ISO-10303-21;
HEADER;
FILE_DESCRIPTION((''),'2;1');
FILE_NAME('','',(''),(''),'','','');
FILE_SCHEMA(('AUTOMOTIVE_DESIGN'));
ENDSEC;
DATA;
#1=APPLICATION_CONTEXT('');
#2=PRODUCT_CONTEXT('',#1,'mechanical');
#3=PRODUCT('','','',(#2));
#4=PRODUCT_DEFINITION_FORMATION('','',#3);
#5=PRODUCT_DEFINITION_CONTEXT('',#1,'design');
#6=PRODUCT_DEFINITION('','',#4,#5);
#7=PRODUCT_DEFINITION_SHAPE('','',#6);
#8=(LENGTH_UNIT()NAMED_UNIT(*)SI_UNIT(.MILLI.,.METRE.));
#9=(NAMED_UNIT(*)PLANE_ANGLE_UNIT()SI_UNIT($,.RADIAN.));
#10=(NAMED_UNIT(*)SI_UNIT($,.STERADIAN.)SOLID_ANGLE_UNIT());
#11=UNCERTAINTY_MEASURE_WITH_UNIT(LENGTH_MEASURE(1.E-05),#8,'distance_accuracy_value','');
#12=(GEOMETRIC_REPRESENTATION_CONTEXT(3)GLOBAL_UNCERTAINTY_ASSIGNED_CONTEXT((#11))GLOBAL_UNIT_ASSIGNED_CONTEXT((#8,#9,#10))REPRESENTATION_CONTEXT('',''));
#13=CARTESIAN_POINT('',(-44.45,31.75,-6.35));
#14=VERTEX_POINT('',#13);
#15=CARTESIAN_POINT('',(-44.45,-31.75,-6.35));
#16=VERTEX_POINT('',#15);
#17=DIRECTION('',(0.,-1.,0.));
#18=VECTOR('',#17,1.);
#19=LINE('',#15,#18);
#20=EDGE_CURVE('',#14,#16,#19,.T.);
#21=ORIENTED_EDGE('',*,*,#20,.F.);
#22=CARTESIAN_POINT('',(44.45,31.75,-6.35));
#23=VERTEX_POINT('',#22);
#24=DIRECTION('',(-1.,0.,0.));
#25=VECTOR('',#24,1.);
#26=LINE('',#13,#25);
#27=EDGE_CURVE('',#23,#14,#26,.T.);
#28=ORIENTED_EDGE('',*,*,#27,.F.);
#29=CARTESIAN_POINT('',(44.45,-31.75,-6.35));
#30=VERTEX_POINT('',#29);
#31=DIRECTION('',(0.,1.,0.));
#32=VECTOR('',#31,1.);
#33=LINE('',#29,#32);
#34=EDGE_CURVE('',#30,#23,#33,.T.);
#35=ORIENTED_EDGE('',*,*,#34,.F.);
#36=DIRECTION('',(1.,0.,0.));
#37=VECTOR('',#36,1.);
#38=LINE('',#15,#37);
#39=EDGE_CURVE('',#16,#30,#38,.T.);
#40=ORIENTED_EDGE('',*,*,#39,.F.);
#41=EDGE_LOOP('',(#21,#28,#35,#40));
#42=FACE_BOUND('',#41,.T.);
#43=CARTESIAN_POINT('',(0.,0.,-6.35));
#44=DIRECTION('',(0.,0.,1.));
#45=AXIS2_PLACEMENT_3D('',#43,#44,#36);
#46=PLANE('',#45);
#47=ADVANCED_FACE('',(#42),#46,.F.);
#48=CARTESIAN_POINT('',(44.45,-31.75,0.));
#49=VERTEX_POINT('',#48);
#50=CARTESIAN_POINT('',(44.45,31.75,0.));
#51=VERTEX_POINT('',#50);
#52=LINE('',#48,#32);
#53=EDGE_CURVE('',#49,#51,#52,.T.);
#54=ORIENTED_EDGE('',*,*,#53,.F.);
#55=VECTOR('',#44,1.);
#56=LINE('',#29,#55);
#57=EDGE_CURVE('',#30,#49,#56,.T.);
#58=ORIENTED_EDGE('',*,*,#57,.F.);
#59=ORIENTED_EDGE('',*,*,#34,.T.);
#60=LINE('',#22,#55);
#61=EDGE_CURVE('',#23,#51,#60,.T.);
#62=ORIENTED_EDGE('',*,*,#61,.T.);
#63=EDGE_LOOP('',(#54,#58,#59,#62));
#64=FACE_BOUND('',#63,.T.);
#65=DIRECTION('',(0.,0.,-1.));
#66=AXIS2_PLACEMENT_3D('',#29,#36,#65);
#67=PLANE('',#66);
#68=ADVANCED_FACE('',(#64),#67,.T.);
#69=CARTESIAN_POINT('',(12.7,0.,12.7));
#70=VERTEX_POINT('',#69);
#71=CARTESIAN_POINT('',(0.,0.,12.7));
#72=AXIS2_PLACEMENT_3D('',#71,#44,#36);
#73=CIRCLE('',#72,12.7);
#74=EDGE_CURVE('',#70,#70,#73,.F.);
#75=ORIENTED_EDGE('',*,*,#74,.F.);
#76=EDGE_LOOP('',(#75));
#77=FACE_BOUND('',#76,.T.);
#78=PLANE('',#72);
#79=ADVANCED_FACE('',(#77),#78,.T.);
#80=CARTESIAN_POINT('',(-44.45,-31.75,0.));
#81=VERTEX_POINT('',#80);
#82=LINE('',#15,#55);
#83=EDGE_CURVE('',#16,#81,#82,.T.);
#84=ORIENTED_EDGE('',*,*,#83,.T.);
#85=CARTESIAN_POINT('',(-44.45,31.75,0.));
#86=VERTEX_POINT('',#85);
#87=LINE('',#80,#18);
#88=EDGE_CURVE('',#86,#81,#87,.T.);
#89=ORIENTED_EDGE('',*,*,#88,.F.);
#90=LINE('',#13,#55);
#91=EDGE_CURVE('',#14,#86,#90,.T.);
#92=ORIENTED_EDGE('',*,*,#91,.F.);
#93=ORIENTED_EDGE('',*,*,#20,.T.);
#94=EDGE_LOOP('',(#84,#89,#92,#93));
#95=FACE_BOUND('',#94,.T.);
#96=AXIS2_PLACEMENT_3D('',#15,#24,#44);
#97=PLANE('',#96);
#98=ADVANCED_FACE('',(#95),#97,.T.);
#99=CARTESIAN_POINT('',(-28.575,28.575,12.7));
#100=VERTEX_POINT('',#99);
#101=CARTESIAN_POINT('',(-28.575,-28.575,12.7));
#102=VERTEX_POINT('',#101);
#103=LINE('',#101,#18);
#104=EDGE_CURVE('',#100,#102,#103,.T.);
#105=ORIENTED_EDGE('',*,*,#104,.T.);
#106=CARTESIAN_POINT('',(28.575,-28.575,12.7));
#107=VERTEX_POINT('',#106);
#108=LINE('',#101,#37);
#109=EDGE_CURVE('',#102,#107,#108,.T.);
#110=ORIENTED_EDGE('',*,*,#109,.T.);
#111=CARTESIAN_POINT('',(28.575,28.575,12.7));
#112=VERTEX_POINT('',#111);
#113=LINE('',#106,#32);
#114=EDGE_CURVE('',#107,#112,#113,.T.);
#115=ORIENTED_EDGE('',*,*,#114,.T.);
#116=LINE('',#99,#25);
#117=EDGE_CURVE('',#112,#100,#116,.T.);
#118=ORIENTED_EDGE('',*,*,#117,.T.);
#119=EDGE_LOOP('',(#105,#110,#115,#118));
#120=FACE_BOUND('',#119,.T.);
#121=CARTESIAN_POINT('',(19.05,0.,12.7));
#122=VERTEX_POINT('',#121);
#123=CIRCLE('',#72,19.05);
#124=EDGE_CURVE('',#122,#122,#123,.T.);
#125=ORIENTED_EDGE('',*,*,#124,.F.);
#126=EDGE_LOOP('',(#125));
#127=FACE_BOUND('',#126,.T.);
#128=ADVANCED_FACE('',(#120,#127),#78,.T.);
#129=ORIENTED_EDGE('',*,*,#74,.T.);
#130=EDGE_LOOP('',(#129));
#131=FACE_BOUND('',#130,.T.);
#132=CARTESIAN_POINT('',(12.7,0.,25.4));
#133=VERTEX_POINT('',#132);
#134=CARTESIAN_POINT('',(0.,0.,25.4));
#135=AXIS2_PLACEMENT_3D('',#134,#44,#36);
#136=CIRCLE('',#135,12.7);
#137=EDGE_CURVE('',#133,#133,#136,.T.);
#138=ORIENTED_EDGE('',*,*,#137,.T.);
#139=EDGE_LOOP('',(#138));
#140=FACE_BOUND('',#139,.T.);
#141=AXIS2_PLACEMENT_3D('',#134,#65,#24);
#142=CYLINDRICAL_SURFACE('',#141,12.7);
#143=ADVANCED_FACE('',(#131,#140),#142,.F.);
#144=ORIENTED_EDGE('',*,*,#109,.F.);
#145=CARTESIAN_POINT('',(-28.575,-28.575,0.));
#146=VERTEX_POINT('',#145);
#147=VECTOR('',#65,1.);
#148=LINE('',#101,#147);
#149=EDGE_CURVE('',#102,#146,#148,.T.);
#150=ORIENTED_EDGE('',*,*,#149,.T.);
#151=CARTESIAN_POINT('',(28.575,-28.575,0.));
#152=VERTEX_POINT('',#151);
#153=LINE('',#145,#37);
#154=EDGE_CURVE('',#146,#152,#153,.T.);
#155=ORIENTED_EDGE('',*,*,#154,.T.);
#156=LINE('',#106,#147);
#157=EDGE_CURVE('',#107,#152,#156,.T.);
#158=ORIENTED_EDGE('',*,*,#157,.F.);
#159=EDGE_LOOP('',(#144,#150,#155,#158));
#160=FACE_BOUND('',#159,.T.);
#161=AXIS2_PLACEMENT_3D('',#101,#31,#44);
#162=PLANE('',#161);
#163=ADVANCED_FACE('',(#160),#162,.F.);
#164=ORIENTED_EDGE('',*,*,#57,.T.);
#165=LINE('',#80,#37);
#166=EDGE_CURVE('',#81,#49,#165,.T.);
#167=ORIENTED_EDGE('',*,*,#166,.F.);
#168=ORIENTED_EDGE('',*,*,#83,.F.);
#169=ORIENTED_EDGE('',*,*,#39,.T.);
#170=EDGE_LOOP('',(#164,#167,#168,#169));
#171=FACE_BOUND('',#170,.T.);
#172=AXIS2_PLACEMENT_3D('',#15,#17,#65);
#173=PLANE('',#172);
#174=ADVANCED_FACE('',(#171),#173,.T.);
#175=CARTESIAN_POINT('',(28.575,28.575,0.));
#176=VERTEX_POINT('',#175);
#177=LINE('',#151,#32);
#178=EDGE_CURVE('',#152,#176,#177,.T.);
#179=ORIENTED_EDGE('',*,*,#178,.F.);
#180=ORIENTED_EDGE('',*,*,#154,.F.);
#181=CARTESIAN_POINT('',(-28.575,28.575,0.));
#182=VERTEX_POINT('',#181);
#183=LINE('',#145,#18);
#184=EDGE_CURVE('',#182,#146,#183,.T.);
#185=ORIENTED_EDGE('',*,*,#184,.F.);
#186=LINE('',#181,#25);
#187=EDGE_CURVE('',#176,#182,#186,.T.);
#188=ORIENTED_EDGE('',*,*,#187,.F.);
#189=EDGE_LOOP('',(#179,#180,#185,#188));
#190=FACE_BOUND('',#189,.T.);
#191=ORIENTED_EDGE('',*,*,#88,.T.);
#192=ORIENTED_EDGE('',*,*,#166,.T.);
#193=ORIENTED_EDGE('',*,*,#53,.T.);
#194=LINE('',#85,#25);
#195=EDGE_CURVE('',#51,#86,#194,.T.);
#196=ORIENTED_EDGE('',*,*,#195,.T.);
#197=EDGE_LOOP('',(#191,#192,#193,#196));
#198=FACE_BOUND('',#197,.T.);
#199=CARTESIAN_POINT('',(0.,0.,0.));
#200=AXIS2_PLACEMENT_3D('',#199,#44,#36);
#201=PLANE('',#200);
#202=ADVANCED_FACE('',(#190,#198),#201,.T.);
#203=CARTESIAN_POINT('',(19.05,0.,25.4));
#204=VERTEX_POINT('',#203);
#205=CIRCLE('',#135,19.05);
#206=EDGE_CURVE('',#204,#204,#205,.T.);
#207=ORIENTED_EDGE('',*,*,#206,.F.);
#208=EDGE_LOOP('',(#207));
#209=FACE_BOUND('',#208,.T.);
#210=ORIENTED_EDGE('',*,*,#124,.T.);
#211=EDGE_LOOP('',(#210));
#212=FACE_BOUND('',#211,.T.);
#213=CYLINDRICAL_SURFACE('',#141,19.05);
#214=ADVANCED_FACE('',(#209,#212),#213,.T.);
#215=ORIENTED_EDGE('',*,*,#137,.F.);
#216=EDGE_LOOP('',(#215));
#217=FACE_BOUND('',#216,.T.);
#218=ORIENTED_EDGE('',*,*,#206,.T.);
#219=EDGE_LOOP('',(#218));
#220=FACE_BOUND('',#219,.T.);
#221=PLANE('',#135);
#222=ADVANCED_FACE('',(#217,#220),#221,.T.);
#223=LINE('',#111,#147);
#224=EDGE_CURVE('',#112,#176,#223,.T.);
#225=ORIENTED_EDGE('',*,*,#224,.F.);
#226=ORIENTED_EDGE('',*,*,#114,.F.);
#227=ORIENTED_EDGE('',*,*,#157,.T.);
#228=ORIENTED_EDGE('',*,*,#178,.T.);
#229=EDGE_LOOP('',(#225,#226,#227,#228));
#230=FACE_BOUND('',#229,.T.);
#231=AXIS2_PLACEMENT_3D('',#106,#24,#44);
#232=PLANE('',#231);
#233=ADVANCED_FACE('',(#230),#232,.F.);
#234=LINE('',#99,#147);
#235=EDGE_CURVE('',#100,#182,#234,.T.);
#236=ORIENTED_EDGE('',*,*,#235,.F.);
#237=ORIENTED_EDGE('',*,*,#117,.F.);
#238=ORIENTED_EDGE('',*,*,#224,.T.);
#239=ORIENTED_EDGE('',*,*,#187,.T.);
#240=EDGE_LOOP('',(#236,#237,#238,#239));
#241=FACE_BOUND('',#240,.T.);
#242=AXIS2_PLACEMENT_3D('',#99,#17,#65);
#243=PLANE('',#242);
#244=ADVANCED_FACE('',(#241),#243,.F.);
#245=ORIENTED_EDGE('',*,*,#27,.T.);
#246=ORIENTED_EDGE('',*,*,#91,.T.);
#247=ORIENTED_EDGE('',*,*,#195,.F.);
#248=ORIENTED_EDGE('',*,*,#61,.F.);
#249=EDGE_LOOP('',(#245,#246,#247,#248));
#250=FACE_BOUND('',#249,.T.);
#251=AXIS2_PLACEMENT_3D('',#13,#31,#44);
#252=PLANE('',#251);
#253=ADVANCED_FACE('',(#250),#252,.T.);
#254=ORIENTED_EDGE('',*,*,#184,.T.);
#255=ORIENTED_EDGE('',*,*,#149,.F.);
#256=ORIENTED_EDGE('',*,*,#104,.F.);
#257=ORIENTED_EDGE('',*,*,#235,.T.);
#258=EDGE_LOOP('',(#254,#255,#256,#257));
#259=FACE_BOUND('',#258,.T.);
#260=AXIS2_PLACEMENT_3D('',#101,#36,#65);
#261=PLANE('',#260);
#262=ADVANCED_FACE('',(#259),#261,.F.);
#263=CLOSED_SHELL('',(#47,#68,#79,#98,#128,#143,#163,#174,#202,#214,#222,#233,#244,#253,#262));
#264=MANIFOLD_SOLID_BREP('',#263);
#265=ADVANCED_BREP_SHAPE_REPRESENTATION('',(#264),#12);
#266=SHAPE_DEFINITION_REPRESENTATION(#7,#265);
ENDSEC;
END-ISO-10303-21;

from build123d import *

# Parameters (mm, degrees)
SKETCH2_W           = 88.9
SKETCH2_H           = 63.5
BOSS_EXTRUDE1_DEPTH = 6.35
SKETCH3_W           = 57.15
SKETCH3_H           = 57.15
BOSS_EXTRUDE2_DEPTH = 12.7
SKETCH4_R           = 19.05
SKETCH4_R_2         = 12.7
BOSS_EXTRUDE3_DEPTH = 12.7


with BuildPart() as part:
    # Sketch2 → Boss-Extrude1 (new body)
    with BuildSketch(Plane.XY):
        Rectangle(SKETCH2_W, SKETCH2_H)
    extrude(amount=-BOSS_EXTRUDE1_DEPTH)

    # Sketch3 → Boss-Extrude2 (add)
    with BuildSketch(Plane.XY):
        Rectangle(SKETCH3_W, SKETCH3_H)
    extrude(amount=BOSS_EXTRUDE2_DEPTH)

    # Sketch4 → Boss-Extrude3 (add)
    with BuildSketch(Plane.XY.offset(12.7)):
        Circle(SKETCH4_R)
        Circle(SKETCH4_R_2, mode=Mode.SUBTRACT)
    extrude(amount=BOSS_EXTRUDE3_DEPTH)


solid = part.part
